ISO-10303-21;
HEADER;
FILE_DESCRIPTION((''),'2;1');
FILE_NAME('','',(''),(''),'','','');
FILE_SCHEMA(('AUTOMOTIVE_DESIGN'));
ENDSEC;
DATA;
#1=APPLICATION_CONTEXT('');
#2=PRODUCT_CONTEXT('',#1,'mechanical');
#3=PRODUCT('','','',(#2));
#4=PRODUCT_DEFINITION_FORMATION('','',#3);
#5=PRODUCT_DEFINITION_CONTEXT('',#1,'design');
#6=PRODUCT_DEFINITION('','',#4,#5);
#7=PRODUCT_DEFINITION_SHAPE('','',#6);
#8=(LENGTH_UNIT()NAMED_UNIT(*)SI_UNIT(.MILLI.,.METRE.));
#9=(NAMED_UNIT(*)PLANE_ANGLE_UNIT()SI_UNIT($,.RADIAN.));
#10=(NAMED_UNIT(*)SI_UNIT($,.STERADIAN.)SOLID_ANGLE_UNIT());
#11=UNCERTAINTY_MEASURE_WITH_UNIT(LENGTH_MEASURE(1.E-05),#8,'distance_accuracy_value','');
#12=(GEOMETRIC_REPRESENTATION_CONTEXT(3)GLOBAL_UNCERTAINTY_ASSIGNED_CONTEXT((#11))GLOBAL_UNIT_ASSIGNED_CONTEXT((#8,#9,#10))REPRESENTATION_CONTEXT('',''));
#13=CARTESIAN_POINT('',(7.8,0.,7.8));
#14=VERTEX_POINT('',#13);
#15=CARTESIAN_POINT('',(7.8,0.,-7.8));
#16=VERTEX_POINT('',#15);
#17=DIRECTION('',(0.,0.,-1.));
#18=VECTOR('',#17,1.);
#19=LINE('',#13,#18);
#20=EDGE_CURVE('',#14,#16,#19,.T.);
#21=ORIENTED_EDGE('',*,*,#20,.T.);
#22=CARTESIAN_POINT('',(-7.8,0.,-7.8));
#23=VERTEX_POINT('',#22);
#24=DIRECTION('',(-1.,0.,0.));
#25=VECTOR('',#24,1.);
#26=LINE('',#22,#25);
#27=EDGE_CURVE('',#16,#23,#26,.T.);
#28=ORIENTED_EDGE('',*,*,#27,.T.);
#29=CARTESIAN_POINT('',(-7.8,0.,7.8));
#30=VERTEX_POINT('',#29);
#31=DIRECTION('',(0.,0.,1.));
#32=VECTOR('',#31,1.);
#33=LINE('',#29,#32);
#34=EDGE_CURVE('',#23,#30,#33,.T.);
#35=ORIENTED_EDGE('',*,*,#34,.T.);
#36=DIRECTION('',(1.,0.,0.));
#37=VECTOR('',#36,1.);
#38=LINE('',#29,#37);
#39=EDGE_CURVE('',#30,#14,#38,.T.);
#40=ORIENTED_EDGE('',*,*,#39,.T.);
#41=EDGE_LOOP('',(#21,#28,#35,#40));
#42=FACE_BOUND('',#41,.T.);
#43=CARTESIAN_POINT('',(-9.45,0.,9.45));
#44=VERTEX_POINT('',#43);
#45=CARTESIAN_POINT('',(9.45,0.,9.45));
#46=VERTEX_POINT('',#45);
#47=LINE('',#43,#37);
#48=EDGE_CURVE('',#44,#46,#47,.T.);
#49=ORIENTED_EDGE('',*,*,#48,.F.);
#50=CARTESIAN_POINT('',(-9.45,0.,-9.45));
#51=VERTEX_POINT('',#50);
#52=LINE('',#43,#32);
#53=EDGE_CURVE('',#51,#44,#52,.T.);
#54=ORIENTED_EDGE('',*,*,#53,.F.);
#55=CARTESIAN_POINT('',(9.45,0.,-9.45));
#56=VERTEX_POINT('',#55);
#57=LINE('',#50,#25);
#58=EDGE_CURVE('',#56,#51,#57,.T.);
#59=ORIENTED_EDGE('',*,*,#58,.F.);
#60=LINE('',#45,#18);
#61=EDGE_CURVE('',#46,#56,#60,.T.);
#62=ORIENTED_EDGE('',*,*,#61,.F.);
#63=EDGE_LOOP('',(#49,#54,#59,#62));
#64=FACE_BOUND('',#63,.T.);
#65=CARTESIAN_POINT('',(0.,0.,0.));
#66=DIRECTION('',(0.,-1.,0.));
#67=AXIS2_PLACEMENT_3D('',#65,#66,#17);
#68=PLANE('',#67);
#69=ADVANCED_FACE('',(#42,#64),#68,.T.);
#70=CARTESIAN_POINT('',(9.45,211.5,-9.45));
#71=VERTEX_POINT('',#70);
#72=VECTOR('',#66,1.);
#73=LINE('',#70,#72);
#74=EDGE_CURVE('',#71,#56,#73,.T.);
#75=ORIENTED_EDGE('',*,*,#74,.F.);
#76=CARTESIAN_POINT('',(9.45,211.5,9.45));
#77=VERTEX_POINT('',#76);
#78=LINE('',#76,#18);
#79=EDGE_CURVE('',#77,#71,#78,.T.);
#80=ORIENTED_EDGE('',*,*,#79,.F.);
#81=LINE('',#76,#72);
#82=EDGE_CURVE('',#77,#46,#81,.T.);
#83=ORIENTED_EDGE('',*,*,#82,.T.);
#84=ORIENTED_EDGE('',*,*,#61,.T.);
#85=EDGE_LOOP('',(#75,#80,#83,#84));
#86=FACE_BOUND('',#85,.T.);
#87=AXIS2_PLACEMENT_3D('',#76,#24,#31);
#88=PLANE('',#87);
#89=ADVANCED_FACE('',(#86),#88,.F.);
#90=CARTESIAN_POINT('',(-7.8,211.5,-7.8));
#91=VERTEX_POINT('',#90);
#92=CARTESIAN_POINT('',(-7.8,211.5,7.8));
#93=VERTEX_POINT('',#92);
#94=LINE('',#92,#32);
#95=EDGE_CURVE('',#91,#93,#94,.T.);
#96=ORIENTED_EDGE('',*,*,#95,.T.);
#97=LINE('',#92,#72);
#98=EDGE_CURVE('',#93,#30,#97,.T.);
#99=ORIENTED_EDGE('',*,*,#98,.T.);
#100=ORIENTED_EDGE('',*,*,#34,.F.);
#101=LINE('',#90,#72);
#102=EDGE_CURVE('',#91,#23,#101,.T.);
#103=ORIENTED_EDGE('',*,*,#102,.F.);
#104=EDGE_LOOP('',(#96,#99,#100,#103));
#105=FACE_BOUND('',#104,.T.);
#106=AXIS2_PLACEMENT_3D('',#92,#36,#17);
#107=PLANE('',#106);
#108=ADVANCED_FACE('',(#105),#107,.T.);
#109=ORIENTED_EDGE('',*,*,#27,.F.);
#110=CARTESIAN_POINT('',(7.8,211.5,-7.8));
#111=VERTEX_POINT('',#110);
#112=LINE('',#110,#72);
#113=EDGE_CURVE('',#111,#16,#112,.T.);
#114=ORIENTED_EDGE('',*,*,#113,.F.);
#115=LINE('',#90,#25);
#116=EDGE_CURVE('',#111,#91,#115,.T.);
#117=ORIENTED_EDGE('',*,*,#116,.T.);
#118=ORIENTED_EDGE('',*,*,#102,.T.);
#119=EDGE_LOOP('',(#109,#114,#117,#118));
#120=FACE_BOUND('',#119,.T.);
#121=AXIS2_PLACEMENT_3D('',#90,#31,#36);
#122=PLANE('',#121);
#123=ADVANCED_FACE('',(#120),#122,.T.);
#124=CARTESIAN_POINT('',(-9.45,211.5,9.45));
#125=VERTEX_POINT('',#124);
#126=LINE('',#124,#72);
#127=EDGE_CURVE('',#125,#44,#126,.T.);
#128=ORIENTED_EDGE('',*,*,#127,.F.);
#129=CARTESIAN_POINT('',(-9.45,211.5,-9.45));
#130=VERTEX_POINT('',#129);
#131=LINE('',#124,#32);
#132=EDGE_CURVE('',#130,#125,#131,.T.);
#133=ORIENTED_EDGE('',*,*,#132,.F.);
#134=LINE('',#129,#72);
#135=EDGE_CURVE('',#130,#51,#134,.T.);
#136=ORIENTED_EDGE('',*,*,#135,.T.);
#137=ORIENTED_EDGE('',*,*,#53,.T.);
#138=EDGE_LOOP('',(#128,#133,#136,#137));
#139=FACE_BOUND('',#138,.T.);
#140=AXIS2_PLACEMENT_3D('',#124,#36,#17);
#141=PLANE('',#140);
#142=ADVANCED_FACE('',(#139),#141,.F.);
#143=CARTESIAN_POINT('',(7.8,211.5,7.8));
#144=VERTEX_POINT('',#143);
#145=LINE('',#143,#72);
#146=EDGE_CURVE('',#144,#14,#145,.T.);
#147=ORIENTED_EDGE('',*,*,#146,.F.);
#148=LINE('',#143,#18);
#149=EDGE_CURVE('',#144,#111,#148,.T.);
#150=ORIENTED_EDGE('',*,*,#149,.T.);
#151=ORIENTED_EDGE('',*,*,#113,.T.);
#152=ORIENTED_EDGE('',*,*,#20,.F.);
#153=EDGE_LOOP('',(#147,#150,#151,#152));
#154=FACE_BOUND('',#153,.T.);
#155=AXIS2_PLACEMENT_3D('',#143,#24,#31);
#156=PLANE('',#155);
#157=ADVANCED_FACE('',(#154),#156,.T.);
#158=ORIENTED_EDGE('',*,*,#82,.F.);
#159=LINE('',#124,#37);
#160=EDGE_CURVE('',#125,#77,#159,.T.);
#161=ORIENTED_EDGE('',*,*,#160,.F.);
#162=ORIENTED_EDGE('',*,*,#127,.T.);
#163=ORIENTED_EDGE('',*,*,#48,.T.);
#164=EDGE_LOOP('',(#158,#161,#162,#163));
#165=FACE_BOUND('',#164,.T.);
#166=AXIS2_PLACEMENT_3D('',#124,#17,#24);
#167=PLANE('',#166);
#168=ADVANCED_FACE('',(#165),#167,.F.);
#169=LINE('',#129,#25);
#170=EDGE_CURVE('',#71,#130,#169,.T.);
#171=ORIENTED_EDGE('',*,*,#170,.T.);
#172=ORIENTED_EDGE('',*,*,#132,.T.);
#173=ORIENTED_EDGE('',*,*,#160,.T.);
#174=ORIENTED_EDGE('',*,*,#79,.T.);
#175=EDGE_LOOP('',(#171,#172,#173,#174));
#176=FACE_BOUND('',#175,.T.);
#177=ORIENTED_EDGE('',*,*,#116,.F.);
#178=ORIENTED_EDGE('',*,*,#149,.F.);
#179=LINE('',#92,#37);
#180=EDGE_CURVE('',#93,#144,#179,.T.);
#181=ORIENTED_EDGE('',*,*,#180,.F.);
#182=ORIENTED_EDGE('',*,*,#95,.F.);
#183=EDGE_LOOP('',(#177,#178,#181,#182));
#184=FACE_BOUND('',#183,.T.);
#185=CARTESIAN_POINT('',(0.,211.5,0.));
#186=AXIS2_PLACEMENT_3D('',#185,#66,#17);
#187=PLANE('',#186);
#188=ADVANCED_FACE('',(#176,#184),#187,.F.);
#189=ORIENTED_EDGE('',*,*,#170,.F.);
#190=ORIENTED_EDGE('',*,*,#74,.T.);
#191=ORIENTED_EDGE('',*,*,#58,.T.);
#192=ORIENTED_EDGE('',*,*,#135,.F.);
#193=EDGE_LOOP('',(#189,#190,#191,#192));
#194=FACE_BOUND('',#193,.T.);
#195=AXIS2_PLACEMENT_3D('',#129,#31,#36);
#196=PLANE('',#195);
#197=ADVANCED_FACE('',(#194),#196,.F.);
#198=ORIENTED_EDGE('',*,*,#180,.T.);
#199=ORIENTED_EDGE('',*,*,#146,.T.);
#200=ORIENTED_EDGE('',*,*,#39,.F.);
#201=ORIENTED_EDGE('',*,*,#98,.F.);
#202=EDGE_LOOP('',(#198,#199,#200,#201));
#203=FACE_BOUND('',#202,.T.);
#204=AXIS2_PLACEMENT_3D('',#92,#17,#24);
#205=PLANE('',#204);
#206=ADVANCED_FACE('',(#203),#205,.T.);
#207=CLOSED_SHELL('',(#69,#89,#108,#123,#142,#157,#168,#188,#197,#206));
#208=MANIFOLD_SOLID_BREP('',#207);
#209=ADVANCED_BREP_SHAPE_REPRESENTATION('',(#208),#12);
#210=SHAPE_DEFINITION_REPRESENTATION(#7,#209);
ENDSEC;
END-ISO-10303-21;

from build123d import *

# Parameters (mm, degrees)
SKETCH1_W           = 18.9
SKETCH1_H           = 18.9
SKETCH1_W_2         = 15.6
SKETCH1_H_2         = 15.6
BOSS_EXTRUDE1_DEPTH = 211.5


with BuildPart() as part:
    # Sketch1 → Boss-Extrude1 (new body)
    with BuildSketch(Plane(origin=(0, 0, 0), x_dir=(1, 0, 0), z_dir=(0, 1, 0))):
        Rectangle(SKETCH1_W, SKETCH1_H)
        Rectangle(SKETCH1_W_2, SKETCH1_H_2, mode=Mode.SUBTRACT)
    extrude(amount=BOSS_EXTRUDE1_DEPTH)


solid = part.part
